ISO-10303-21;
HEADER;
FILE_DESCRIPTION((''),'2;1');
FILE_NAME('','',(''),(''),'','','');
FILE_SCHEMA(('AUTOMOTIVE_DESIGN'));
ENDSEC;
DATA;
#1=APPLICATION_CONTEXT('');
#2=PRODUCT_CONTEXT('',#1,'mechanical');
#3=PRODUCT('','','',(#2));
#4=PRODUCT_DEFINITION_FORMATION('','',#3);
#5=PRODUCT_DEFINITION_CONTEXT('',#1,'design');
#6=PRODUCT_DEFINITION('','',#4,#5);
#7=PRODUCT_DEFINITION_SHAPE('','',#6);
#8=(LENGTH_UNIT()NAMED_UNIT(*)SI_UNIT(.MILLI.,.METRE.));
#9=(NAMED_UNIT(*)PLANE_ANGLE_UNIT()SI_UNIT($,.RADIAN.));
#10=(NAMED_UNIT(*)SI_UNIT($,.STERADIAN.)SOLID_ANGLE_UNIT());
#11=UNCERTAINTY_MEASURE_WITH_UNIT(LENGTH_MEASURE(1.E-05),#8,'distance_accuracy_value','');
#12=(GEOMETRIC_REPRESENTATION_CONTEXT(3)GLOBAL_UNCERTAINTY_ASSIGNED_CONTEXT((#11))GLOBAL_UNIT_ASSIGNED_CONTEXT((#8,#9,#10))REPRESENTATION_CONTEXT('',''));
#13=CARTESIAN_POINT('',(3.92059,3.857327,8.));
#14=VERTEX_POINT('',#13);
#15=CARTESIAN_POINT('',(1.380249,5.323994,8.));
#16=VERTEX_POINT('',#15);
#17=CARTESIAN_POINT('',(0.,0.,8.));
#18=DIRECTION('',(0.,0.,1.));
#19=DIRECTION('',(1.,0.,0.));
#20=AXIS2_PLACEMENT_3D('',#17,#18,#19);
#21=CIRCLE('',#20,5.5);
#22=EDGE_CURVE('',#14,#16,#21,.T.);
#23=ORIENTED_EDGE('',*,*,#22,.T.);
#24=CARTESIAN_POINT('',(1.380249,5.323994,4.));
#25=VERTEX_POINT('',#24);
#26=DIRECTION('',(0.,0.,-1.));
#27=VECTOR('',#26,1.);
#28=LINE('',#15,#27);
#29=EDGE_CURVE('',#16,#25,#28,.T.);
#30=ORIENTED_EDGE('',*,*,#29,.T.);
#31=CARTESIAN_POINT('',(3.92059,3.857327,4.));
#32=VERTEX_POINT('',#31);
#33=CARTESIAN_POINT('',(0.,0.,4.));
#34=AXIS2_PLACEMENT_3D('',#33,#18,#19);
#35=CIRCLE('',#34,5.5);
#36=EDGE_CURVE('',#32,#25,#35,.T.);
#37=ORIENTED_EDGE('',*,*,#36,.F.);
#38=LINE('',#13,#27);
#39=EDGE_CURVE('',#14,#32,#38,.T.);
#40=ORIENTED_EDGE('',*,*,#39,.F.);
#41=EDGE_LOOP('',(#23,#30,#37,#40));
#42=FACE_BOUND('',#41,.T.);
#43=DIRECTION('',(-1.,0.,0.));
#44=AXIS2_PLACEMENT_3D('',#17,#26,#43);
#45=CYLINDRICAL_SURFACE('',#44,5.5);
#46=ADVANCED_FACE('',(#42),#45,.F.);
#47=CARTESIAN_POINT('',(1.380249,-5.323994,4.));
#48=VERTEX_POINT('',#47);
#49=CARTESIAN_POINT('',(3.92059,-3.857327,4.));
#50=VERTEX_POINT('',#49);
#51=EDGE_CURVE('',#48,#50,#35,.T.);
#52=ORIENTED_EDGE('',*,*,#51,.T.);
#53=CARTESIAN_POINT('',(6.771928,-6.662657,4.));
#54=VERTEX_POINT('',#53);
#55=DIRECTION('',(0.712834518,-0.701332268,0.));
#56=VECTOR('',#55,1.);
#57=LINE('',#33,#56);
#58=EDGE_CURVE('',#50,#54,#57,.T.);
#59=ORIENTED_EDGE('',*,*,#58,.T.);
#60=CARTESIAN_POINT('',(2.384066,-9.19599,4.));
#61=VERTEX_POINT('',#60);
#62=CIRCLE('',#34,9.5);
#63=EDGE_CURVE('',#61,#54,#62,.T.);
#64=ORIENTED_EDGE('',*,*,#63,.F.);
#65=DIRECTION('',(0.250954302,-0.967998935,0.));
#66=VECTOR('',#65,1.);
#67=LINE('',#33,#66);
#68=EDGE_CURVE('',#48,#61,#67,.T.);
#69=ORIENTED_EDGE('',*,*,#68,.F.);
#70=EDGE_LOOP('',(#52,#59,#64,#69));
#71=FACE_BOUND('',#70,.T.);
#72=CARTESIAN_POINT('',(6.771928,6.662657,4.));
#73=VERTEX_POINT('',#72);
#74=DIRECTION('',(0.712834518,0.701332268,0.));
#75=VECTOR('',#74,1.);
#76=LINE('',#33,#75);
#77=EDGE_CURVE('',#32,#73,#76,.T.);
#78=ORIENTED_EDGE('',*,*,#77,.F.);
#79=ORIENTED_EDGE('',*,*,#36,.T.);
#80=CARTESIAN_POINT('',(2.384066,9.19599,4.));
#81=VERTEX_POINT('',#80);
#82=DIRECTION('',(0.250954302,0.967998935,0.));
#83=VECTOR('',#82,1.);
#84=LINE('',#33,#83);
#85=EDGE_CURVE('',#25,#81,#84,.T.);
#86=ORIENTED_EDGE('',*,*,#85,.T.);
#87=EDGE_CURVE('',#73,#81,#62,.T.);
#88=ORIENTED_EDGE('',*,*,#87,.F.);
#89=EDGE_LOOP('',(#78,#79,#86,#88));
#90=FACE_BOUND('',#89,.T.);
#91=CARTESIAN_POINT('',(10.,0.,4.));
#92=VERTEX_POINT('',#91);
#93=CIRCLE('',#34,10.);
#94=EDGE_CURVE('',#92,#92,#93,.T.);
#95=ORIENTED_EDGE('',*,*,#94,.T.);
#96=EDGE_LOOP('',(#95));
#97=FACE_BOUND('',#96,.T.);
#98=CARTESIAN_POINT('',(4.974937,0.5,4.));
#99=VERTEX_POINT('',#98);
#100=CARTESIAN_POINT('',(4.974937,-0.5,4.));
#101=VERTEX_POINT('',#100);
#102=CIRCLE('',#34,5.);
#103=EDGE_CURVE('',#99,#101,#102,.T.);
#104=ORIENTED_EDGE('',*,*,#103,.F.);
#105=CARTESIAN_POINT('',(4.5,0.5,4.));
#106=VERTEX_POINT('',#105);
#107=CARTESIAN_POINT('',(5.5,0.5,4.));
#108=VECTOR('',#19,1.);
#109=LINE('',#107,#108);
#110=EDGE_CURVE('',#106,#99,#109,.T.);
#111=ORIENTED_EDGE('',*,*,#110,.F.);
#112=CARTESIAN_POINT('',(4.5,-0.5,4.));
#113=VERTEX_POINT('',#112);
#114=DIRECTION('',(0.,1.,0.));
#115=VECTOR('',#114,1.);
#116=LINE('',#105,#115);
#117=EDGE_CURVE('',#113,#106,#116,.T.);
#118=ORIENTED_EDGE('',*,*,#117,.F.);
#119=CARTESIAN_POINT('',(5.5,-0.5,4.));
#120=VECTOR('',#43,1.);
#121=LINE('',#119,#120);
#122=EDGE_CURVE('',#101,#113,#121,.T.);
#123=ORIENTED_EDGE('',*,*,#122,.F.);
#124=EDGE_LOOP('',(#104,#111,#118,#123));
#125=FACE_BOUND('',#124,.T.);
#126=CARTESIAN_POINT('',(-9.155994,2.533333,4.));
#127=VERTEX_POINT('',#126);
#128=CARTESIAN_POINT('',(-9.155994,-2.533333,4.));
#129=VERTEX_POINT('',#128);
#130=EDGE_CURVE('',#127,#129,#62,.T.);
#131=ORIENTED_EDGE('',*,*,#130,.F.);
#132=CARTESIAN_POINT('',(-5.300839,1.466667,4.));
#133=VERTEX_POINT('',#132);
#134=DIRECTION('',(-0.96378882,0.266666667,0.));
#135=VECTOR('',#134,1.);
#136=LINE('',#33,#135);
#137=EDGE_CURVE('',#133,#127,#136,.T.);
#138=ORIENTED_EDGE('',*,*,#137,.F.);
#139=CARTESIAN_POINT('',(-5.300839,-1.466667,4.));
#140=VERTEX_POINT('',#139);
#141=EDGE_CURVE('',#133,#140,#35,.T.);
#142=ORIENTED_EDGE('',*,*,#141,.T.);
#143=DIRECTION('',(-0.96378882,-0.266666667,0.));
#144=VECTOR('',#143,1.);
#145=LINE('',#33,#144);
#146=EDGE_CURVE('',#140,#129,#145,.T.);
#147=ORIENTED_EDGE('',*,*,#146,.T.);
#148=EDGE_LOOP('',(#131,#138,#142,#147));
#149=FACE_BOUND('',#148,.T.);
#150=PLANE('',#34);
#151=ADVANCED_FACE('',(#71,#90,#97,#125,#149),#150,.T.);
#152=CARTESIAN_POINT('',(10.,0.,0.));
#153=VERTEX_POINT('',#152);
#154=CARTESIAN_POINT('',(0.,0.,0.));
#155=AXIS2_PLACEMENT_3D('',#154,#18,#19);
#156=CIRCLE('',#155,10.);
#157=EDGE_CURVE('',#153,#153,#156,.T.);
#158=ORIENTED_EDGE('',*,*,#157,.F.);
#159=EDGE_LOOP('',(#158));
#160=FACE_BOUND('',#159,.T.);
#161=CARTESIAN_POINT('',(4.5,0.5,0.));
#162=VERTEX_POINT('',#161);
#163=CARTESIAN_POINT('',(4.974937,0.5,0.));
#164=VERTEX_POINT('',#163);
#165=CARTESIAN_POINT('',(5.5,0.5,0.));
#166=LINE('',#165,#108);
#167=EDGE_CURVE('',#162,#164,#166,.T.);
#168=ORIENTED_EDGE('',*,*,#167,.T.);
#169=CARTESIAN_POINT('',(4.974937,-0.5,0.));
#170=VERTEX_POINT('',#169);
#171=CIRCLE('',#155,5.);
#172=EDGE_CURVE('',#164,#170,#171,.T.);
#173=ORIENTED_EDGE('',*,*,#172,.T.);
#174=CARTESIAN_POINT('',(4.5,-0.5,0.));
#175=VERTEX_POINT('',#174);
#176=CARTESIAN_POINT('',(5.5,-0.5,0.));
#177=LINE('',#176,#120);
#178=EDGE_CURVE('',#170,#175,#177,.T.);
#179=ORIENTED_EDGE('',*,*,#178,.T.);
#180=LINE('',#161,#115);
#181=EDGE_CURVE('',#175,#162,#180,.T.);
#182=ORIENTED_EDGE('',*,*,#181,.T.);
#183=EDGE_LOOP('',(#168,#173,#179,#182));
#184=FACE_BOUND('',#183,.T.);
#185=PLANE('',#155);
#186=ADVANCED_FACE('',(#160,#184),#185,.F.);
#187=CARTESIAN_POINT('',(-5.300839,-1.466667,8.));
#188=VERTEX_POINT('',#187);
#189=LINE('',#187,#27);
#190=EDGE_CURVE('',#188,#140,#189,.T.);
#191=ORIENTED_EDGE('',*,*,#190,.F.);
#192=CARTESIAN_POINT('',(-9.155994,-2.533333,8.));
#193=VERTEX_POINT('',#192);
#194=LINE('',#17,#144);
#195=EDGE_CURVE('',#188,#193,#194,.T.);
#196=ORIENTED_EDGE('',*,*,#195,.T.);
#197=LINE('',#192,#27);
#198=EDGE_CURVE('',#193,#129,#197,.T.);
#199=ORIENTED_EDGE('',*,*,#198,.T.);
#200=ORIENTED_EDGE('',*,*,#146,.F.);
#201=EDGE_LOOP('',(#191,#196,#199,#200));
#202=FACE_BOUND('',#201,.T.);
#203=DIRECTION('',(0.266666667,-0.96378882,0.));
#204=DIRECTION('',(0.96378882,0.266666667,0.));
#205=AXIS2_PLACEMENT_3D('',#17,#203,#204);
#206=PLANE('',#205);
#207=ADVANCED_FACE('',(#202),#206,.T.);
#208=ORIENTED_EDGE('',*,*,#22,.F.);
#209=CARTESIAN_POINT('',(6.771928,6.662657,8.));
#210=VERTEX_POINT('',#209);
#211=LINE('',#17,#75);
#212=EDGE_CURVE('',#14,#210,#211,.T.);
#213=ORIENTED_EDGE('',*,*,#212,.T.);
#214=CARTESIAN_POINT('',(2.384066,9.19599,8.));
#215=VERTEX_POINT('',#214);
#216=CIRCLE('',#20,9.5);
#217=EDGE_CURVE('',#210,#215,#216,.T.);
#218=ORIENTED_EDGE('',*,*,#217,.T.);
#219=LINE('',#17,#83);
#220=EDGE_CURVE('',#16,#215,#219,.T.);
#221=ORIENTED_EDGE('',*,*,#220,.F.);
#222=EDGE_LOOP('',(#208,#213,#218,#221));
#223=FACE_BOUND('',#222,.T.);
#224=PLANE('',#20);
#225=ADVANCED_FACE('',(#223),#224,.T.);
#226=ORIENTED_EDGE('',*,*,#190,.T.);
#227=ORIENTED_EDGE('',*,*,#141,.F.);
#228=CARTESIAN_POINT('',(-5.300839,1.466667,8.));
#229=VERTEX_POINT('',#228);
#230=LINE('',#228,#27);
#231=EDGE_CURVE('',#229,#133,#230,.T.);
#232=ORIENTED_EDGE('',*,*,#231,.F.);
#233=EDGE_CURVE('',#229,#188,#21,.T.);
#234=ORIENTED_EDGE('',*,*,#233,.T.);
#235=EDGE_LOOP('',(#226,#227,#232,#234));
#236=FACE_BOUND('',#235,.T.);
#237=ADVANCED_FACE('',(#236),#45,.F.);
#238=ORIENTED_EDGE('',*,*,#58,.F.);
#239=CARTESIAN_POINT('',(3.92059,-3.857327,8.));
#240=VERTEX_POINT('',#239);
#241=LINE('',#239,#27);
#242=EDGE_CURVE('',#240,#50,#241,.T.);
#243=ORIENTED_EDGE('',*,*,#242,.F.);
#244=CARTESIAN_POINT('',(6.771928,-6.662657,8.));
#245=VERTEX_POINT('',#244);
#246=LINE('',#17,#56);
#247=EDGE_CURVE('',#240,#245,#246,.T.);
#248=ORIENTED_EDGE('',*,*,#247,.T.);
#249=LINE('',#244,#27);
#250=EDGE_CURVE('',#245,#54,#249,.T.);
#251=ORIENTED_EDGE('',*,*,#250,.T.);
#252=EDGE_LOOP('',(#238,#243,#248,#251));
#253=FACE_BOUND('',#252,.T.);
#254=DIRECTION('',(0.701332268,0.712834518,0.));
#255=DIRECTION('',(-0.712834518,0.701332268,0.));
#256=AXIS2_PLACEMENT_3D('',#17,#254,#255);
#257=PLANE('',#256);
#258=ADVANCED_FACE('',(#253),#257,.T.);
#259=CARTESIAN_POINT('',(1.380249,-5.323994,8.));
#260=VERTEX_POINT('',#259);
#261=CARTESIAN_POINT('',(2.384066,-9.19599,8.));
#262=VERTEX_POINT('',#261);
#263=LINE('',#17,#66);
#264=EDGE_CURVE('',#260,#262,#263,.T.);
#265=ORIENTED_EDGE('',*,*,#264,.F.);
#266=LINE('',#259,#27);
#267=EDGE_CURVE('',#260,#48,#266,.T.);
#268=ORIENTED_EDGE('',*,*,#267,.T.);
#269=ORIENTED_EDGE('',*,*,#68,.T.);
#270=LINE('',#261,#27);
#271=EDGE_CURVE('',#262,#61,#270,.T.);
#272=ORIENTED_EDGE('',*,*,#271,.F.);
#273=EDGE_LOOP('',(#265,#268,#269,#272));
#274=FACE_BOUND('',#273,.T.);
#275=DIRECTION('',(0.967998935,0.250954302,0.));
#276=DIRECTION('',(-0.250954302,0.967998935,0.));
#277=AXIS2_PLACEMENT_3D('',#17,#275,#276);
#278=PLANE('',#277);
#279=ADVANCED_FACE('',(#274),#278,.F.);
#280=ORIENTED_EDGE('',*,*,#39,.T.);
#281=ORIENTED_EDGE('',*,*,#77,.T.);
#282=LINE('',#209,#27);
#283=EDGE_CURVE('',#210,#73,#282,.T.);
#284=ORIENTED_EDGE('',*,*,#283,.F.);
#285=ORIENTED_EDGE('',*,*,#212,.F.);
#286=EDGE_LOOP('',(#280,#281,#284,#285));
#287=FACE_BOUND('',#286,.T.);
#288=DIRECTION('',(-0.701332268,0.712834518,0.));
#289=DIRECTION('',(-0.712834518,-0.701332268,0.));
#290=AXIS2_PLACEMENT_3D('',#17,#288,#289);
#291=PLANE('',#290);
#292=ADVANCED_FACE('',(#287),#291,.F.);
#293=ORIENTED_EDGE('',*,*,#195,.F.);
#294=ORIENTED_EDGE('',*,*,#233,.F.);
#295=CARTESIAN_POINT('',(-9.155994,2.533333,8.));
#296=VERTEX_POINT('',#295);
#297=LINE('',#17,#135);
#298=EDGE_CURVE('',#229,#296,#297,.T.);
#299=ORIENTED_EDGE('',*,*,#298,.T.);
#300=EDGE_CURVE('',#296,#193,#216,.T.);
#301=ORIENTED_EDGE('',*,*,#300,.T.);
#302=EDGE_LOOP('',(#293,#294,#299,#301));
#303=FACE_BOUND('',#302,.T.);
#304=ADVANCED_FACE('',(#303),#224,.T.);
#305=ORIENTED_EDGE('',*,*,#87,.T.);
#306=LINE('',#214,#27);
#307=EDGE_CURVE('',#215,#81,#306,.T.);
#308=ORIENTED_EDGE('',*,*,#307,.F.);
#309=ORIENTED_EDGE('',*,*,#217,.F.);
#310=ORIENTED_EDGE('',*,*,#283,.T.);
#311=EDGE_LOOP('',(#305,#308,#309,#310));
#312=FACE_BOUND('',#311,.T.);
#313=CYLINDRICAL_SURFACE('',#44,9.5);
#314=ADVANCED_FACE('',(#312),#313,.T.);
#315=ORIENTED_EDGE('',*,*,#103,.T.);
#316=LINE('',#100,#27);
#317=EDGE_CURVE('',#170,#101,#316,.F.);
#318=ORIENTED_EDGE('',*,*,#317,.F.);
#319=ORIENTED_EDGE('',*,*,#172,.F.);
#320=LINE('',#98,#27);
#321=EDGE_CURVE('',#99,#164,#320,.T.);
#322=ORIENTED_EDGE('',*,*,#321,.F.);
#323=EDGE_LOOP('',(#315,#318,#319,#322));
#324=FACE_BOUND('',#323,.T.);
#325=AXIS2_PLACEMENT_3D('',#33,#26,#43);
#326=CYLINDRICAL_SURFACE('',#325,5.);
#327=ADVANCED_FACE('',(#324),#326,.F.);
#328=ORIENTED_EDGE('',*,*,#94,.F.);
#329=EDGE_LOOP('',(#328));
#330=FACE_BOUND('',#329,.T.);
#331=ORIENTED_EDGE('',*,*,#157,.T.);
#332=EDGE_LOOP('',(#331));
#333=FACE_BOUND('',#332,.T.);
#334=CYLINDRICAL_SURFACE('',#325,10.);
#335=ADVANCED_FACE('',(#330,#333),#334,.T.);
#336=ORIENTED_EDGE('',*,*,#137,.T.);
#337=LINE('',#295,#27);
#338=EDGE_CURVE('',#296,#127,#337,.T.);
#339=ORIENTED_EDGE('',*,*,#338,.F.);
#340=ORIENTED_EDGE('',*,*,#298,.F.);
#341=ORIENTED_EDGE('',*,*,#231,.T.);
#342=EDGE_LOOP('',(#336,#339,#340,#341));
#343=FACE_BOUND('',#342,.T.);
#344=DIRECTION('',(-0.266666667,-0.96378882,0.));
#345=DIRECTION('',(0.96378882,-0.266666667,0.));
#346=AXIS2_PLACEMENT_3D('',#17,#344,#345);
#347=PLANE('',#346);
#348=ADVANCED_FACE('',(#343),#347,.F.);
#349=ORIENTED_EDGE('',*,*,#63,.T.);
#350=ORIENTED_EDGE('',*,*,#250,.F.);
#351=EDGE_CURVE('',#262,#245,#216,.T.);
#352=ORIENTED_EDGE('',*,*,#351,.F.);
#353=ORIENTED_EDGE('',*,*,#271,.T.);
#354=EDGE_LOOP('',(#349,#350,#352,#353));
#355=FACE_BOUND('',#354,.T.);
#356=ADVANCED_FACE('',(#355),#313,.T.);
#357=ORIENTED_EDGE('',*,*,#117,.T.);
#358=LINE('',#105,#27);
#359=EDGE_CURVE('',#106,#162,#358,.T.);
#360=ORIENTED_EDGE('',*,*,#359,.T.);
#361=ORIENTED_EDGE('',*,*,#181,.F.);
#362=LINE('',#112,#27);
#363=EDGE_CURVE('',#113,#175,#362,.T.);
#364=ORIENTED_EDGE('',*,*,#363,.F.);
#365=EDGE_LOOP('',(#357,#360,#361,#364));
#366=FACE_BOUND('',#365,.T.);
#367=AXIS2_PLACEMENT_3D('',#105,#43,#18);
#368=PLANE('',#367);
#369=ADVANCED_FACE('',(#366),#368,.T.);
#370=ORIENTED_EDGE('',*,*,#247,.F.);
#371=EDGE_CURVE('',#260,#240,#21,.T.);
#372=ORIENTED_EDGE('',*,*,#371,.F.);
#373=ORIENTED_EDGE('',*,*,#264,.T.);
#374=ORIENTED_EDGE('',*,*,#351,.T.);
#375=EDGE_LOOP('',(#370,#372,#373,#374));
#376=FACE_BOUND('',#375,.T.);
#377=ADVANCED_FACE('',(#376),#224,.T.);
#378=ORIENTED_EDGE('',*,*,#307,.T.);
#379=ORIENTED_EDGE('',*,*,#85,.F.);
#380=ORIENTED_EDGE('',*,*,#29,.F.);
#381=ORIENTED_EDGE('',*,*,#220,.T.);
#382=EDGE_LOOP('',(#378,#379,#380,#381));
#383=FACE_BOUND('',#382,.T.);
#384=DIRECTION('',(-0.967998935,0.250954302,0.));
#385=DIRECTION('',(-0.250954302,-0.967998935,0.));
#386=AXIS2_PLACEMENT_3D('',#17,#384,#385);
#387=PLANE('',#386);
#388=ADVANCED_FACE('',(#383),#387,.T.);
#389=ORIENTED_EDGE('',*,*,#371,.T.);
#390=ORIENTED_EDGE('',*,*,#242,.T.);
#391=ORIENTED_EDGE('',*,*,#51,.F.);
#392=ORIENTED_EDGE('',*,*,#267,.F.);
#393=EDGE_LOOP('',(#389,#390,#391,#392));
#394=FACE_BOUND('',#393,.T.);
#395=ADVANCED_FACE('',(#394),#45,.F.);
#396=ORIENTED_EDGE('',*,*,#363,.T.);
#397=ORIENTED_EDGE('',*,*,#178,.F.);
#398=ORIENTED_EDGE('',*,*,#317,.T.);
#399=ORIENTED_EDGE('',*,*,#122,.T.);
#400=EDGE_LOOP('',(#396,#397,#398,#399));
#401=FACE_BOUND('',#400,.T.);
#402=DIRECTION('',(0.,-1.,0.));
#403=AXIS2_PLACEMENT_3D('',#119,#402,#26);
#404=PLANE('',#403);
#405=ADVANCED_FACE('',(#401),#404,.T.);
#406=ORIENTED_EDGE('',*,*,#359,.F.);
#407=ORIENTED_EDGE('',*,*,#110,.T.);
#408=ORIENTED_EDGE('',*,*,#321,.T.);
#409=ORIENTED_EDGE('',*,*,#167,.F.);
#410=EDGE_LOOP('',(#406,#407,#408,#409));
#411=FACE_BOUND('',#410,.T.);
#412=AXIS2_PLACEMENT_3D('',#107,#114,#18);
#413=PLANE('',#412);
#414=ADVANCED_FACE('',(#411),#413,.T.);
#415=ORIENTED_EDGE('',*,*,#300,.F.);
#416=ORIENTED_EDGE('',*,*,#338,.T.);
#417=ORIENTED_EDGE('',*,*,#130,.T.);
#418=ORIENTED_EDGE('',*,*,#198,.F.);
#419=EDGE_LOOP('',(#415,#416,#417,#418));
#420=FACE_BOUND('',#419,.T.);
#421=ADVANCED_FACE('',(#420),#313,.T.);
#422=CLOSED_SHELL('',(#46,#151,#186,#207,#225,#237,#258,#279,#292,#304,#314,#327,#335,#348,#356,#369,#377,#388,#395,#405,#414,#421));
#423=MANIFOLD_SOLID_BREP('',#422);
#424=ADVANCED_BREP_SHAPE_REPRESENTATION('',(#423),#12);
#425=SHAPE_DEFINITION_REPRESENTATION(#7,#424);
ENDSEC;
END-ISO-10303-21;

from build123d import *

# Parameters (mm, degrees)
SKETCH1_R           = 10
SKETCH1_R_2         = 5
BOSS_EXTRUDE2_DEPTH = 4
BOSS_EXTRUDE3_DEPTH = 4
SKETCH3_W           = 1
SKETCH3_H           = 1
BOSS_EXTRUDE4_DEPTH = 4


with BuildPart() as part:
    # Sketch1 → Boss-Extrude2 (new body)
    with BuildSketch(Plane.XY):
        Circle(SKETCH1_R)
        Circle(SKETCH1_R_2, mode=Mode.SUBTRACT)
    extrude(amount=BOSS_EXTRUDE2_DEPTH)

    # Sketch2 → Boss-Extrude3 (add)
    with BuildSketch(Plane.XY.offset(4)):
        with BuildLine():
            ThreePointArc((-5.5, 0), (-5.449982192, 0.74006358), (-5.300838508, 1.466666667))
            Line((-5.300838508, 1.466666667), (-9.155993787, 2.533333333))
            ThreePointArc((-9.155993787, 2.533333333), (-9.413605605, 1.278291639), (-9.5, 0))
            ThreePointArc((-9.5, 0), (-9.413605605, -1.278291639), (-9.155993787, -2.533333333))
            Line((-9.155993787, -2.533333333), (-5.300838508, -1.466666667))
            ThreePointArc((-5.300838508, -1.466666667), (-5.449982192, -0.74006358), (-5.5, 0))
        make_face()
        with BuildLine():
            ThreePointArc((3.920589846, -3.857327476), (2.75, -4.763139721), (1.380248662, -5.323994143))
            Line((1.380248662, -5.323994143), (2.38406587, -9.195989883))
            ThreePointArc((2.38406587, -9.195989883), (4.75, -8.227241336), (6.771927916, -6.66265655))
            Line((6.771927916, -6.66265655), (3.920589846, -3.857327476))
        make_face()
        with BuildLine():
            Line((2.38406587, 9.195989883), (1.380248662, 5.323994143))
            ThreePointArc((1.380248662, 5.323994143), (2.75, 4.763139721), (3.920589846, 3.857327476))
            Line((3.920589846, 3.857327476), (6.771927916, 6.66265655))
            ThreePointArc((6.771927916, 6.66265655), (4.75, 8.227241336), (2.38406587, 9.195989883))
        make_face()
    extrude(amount=BOSS_EXTRUDE3_DEPTH)

    # Sketch3 → Boss-Extrude4 (add)
    with BuildSketch(Plane(origin=(0, 0, 0), x_dir=(-1, 0, 0), z_dir=(0, 0, -1))):
        with Locations((-5, 0)):
            Rectangle(SKETCH3_W, SKETCH3_H)
    extrude(amount=-BOSS_EXTRUDE4_DEPTH)


solid = part.part
